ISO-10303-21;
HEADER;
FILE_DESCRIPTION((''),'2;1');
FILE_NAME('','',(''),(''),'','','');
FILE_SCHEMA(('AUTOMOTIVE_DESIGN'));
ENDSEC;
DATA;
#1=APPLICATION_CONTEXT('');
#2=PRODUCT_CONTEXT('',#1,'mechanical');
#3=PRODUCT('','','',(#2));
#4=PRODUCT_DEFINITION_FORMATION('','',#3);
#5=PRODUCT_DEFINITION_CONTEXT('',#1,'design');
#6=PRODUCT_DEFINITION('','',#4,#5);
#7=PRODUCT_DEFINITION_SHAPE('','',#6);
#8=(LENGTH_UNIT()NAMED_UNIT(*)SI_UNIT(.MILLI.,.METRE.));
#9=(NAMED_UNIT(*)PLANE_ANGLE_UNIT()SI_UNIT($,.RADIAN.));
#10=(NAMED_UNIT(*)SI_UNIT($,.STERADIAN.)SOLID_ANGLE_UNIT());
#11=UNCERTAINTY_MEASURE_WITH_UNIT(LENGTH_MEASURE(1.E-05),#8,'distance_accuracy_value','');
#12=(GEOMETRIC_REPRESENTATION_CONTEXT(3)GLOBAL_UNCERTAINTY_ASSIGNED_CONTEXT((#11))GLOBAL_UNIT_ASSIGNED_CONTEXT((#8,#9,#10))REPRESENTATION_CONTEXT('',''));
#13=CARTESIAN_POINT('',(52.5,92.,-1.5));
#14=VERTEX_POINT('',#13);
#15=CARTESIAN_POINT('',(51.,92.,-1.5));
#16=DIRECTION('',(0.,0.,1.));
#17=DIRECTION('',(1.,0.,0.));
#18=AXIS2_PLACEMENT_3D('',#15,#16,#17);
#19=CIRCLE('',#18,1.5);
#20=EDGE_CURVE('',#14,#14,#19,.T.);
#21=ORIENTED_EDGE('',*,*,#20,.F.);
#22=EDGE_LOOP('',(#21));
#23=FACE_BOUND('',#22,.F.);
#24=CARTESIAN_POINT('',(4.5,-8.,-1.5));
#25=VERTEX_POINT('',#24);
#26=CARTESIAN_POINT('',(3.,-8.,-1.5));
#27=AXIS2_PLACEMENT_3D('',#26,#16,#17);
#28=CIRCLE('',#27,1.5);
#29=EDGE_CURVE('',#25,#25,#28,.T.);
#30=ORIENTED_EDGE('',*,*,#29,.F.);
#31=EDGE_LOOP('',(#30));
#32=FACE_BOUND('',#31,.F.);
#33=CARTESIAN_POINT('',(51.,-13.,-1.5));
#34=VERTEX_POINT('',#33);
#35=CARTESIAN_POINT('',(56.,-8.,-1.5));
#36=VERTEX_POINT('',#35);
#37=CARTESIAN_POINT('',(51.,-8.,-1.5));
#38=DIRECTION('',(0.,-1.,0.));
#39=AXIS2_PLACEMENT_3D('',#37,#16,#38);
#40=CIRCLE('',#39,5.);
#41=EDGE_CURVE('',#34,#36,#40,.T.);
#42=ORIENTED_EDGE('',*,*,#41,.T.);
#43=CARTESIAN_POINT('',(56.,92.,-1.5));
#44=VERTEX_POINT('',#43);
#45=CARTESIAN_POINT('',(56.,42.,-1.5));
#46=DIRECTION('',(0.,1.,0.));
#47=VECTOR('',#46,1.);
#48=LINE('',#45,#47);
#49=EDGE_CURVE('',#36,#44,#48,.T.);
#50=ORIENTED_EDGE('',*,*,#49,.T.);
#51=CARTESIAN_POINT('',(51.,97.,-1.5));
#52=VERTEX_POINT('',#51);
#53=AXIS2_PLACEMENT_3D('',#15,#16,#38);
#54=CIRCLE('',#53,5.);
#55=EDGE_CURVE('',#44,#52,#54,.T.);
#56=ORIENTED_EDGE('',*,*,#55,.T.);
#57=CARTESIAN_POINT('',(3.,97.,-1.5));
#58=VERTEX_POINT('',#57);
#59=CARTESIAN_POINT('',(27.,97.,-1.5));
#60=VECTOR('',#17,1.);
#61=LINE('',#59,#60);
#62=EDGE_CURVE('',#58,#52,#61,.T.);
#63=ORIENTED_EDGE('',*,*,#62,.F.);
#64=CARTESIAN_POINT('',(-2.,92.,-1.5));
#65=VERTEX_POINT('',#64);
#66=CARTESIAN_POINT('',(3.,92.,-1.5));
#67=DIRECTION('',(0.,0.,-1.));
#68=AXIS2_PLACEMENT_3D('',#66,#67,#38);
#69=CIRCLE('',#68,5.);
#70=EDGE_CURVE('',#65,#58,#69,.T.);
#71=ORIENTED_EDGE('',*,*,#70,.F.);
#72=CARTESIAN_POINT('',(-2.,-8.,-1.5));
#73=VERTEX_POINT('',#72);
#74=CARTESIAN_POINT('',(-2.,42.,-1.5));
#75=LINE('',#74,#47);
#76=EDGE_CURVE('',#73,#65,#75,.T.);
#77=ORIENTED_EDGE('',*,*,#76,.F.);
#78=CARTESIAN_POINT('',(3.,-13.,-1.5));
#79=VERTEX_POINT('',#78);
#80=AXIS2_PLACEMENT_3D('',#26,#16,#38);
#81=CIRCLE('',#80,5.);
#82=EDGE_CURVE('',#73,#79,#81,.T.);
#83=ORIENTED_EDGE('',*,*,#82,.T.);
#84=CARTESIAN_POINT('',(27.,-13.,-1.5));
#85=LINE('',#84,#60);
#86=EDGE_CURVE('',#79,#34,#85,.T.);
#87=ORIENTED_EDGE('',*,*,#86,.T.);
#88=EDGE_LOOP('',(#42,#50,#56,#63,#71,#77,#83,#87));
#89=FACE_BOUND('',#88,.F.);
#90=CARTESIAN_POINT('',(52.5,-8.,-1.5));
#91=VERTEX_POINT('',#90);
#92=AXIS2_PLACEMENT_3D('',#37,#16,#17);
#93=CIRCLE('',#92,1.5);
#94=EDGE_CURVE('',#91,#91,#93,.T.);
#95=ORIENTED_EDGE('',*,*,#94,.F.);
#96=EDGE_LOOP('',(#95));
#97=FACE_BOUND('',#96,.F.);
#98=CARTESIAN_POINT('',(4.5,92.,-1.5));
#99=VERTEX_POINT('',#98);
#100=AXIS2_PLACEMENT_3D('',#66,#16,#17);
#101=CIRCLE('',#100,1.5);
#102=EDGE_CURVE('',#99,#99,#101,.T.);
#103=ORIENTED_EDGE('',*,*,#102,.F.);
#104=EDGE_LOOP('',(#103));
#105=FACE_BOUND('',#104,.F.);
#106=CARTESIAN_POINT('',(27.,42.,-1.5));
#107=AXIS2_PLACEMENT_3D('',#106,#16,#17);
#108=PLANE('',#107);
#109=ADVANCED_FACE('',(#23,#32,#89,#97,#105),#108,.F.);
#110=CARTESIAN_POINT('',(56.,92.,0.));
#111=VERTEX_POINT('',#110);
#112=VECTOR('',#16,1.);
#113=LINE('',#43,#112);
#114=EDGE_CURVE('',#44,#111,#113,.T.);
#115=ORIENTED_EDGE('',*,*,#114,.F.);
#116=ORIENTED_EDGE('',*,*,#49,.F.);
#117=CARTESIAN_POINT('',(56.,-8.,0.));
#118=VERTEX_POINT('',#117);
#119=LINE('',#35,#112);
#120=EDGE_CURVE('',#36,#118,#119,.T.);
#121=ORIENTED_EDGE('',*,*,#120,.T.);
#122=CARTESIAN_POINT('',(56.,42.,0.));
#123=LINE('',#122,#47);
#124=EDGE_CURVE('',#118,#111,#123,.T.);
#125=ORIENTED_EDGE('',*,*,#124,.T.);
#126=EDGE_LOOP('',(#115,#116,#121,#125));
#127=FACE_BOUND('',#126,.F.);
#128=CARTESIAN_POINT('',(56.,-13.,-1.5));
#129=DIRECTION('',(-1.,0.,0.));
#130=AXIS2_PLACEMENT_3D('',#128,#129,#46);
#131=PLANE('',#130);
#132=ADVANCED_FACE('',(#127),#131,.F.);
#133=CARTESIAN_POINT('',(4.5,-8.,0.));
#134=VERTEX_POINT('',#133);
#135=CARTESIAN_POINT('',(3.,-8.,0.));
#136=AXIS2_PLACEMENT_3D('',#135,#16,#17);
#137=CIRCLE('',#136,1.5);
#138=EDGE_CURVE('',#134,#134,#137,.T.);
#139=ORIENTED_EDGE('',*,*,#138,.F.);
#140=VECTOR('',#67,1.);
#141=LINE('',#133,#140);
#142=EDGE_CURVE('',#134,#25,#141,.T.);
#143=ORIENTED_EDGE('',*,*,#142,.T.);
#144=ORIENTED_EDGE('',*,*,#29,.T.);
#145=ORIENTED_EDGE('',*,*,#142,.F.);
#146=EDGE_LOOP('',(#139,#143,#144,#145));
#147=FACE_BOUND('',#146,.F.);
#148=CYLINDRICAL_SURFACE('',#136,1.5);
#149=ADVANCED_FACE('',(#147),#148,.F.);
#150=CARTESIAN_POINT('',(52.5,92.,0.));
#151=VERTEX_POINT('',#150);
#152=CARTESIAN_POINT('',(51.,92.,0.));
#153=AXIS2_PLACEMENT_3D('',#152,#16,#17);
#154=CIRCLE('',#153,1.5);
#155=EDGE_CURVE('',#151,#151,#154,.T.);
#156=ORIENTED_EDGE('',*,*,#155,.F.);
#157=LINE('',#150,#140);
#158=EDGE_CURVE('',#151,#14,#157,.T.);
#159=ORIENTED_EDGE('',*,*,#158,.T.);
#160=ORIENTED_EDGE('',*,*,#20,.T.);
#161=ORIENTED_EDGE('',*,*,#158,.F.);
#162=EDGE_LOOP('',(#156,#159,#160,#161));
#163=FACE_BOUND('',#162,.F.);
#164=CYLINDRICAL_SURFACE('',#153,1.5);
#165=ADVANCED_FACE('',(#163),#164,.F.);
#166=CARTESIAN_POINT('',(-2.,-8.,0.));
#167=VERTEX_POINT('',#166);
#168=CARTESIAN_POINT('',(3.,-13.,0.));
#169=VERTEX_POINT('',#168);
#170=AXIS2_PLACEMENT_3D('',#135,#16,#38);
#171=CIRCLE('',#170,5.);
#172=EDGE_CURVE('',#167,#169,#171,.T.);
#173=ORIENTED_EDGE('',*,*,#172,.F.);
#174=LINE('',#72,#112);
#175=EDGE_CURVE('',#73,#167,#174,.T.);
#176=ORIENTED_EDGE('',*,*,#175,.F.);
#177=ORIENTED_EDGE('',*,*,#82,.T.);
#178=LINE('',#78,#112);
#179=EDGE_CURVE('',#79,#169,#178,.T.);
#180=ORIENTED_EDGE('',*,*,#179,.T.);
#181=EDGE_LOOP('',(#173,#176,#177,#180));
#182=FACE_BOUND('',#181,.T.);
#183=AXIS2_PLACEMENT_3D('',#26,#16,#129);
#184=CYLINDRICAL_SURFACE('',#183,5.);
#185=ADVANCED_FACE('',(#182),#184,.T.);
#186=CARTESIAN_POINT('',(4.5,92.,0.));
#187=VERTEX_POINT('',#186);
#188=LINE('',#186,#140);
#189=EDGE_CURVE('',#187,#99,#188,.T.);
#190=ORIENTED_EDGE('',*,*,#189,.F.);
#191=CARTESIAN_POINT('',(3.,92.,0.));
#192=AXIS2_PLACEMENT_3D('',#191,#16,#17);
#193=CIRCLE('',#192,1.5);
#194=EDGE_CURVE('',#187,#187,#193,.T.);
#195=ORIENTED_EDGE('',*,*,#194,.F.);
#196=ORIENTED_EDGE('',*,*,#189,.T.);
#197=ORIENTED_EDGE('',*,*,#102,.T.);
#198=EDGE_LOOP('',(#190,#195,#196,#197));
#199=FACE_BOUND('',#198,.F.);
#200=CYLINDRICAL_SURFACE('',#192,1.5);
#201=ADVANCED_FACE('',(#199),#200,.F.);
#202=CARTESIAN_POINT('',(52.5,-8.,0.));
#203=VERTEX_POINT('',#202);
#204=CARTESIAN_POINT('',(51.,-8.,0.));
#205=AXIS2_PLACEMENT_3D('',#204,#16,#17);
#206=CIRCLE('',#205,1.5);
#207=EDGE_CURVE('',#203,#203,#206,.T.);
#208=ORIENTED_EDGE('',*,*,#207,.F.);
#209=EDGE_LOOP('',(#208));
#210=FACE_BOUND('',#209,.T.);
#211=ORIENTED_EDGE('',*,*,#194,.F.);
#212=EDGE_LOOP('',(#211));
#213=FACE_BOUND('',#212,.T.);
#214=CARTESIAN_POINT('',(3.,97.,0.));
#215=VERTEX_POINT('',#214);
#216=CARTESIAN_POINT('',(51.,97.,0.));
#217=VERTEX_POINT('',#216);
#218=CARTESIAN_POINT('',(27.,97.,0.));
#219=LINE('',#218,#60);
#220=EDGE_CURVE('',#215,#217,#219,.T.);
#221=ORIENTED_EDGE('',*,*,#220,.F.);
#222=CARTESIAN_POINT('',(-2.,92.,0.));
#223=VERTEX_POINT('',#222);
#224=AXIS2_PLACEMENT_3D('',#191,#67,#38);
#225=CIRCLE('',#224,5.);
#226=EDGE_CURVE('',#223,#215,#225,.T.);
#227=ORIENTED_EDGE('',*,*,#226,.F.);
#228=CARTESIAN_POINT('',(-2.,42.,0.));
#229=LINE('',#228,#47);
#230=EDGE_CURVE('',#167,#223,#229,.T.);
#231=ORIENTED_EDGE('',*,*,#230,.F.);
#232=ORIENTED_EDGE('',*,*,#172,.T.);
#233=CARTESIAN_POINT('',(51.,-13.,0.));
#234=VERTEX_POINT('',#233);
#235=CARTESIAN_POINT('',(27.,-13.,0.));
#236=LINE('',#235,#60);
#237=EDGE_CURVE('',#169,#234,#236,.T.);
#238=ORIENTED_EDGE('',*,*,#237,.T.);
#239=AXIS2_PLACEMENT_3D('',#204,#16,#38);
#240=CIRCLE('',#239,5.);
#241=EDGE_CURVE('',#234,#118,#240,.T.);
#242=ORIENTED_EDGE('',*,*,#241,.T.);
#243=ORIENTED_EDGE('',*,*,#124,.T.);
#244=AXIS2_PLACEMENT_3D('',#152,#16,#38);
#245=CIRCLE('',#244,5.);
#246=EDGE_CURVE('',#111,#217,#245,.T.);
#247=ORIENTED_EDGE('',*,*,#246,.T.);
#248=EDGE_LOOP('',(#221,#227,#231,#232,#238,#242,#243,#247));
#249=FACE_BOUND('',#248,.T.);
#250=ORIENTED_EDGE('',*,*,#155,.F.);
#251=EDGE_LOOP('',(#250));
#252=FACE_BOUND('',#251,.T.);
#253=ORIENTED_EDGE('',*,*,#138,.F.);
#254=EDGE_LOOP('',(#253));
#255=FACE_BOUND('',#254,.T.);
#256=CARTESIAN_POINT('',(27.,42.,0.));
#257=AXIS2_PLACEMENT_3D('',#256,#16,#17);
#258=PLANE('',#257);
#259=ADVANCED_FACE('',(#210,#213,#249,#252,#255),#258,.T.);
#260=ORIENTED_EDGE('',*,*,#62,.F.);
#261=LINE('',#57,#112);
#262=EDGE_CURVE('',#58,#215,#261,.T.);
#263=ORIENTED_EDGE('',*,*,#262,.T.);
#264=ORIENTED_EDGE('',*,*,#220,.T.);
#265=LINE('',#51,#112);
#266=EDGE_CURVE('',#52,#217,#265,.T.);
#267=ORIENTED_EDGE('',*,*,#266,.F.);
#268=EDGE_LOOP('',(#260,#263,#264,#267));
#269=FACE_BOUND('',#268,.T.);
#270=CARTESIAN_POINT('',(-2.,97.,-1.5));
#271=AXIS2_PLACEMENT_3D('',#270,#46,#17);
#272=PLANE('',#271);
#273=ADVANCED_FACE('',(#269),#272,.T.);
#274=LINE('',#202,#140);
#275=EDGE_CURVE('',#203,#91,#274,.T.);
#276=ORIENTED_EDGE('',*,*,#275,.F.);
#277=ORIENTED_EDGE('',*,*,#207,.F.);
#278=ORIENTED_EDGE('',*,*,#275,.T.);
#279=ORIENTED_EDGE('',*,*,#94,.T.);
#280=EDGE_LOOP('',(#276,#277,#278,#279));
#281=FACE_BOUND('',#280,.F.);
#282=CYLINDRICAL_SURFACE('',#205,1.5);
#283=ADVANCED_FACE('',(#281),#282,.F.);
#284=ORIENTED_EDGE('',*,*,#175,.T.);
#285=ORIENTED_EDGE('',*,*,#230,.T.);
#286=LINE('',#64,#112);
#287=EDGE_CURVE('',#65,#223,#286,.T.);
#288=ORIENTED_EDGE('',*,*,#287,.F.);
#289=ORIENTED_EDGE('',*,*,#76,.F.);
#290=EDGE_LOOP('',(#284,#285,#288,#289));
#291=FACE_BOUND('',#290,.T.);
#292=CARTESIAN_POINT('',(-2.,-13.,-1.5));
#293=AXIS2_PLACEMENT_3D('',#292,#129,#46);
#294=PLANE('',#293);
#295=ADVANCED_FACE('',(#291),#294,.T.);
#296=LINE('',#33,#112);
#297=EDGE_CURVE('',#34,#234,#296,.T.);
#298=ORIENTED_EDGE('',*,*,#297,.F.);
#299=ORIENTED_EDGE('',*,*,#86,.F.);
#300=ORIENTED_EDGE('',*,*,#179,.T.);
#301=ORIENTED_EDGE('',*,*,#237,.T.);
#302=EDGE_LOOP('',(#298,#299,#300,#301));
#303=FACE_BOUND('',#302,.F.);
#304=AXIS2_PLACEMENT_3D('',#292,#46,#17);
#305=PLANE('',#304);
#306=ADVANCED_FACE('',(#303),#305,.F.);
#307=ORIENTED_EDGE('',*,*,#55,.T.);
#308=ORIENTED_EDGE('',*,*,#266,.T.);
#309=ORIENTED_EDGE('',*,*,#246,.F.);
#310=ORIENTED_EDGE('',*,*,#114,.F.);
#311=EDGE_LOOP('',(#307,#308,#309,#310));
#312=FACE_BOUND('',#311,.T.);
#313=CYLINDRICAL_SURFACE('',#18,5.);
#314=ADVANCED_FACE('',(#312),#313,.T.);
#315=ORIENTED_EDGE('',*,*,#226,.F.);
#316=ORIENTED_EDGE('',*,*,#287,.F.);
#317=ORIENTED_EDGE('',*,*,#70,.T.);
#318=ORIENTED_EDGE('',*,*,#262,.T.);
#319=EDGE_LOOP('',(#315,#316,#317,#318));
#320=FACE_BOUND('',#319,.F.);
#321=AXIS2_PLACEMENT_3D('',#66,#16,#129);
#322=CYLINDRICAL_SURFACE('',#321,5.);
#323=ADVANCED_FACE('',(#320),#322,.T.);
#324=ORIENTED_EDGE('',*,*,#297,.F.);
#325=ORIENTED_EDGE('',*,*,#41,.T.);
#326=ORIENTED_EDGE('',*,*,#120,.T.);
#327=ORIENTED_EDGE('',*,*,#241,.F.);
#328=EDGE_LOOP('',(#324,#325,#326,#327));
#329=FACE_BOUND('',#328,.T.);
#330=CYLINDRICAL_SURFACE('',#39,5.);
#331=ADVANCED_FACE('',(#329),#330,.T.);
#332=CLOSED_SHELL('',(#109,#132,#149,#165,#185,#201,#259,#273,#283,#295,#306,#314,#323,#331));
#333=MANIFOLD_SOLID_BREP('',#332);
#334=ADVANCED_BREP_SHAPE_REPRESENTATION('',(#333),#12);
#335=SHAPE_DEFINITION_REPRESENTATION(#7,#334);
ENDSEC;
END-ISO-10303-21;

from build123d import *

# Parameters (mm, degrees)
BOX005_W        = 58
BOX005_H        = 110
BOX005_DEPTH    = 1.5
FILLET002_R     = 5
SKETCH008_R     = 1.5
POCKET003_DEPTH = 5


with BuildPart() as part:
    # Box005 → Box005 (new body)
    with BuildSketch(Plane(origin=(-2, -13, -1.5), x_dir=(1, 0, 0), z_dir=(0, 0, 1))):
        with Locations((29, 55)):
            Rectangle(BOX005_W, BOX005_H)
    extrude(amount=BOX005_DEPTH)

    # Fillet002
    fillet002_edges = [part.edges().sort_by_distance(p)[0] for p in [
        (-2, -13, -0.75),
        (-2, 97, -0.75),
        (56, -13, -0.75),
        (56, 97, -0.75),
    ]]
    fillet(fillet002_edges, radius=FILLET002_R)

    # Sketch008 → Pocket003 (cut)
    with BuildSketch(Plane.XY):
        with Locations((3, 92)):
            Circle(SKETCH008_R)
        with Locations((51, 92)):
            Circle(SKETCH008_R)
        with Locations((3, -8)):
            Circle(SKETCH008_R)
        with Locations((51, -8)):
            Circle(SKETCH008_R)
    extrude(amount=-POCKET003_DEPTH, mode=Mode.SUBTRACT)


solid = part.part
